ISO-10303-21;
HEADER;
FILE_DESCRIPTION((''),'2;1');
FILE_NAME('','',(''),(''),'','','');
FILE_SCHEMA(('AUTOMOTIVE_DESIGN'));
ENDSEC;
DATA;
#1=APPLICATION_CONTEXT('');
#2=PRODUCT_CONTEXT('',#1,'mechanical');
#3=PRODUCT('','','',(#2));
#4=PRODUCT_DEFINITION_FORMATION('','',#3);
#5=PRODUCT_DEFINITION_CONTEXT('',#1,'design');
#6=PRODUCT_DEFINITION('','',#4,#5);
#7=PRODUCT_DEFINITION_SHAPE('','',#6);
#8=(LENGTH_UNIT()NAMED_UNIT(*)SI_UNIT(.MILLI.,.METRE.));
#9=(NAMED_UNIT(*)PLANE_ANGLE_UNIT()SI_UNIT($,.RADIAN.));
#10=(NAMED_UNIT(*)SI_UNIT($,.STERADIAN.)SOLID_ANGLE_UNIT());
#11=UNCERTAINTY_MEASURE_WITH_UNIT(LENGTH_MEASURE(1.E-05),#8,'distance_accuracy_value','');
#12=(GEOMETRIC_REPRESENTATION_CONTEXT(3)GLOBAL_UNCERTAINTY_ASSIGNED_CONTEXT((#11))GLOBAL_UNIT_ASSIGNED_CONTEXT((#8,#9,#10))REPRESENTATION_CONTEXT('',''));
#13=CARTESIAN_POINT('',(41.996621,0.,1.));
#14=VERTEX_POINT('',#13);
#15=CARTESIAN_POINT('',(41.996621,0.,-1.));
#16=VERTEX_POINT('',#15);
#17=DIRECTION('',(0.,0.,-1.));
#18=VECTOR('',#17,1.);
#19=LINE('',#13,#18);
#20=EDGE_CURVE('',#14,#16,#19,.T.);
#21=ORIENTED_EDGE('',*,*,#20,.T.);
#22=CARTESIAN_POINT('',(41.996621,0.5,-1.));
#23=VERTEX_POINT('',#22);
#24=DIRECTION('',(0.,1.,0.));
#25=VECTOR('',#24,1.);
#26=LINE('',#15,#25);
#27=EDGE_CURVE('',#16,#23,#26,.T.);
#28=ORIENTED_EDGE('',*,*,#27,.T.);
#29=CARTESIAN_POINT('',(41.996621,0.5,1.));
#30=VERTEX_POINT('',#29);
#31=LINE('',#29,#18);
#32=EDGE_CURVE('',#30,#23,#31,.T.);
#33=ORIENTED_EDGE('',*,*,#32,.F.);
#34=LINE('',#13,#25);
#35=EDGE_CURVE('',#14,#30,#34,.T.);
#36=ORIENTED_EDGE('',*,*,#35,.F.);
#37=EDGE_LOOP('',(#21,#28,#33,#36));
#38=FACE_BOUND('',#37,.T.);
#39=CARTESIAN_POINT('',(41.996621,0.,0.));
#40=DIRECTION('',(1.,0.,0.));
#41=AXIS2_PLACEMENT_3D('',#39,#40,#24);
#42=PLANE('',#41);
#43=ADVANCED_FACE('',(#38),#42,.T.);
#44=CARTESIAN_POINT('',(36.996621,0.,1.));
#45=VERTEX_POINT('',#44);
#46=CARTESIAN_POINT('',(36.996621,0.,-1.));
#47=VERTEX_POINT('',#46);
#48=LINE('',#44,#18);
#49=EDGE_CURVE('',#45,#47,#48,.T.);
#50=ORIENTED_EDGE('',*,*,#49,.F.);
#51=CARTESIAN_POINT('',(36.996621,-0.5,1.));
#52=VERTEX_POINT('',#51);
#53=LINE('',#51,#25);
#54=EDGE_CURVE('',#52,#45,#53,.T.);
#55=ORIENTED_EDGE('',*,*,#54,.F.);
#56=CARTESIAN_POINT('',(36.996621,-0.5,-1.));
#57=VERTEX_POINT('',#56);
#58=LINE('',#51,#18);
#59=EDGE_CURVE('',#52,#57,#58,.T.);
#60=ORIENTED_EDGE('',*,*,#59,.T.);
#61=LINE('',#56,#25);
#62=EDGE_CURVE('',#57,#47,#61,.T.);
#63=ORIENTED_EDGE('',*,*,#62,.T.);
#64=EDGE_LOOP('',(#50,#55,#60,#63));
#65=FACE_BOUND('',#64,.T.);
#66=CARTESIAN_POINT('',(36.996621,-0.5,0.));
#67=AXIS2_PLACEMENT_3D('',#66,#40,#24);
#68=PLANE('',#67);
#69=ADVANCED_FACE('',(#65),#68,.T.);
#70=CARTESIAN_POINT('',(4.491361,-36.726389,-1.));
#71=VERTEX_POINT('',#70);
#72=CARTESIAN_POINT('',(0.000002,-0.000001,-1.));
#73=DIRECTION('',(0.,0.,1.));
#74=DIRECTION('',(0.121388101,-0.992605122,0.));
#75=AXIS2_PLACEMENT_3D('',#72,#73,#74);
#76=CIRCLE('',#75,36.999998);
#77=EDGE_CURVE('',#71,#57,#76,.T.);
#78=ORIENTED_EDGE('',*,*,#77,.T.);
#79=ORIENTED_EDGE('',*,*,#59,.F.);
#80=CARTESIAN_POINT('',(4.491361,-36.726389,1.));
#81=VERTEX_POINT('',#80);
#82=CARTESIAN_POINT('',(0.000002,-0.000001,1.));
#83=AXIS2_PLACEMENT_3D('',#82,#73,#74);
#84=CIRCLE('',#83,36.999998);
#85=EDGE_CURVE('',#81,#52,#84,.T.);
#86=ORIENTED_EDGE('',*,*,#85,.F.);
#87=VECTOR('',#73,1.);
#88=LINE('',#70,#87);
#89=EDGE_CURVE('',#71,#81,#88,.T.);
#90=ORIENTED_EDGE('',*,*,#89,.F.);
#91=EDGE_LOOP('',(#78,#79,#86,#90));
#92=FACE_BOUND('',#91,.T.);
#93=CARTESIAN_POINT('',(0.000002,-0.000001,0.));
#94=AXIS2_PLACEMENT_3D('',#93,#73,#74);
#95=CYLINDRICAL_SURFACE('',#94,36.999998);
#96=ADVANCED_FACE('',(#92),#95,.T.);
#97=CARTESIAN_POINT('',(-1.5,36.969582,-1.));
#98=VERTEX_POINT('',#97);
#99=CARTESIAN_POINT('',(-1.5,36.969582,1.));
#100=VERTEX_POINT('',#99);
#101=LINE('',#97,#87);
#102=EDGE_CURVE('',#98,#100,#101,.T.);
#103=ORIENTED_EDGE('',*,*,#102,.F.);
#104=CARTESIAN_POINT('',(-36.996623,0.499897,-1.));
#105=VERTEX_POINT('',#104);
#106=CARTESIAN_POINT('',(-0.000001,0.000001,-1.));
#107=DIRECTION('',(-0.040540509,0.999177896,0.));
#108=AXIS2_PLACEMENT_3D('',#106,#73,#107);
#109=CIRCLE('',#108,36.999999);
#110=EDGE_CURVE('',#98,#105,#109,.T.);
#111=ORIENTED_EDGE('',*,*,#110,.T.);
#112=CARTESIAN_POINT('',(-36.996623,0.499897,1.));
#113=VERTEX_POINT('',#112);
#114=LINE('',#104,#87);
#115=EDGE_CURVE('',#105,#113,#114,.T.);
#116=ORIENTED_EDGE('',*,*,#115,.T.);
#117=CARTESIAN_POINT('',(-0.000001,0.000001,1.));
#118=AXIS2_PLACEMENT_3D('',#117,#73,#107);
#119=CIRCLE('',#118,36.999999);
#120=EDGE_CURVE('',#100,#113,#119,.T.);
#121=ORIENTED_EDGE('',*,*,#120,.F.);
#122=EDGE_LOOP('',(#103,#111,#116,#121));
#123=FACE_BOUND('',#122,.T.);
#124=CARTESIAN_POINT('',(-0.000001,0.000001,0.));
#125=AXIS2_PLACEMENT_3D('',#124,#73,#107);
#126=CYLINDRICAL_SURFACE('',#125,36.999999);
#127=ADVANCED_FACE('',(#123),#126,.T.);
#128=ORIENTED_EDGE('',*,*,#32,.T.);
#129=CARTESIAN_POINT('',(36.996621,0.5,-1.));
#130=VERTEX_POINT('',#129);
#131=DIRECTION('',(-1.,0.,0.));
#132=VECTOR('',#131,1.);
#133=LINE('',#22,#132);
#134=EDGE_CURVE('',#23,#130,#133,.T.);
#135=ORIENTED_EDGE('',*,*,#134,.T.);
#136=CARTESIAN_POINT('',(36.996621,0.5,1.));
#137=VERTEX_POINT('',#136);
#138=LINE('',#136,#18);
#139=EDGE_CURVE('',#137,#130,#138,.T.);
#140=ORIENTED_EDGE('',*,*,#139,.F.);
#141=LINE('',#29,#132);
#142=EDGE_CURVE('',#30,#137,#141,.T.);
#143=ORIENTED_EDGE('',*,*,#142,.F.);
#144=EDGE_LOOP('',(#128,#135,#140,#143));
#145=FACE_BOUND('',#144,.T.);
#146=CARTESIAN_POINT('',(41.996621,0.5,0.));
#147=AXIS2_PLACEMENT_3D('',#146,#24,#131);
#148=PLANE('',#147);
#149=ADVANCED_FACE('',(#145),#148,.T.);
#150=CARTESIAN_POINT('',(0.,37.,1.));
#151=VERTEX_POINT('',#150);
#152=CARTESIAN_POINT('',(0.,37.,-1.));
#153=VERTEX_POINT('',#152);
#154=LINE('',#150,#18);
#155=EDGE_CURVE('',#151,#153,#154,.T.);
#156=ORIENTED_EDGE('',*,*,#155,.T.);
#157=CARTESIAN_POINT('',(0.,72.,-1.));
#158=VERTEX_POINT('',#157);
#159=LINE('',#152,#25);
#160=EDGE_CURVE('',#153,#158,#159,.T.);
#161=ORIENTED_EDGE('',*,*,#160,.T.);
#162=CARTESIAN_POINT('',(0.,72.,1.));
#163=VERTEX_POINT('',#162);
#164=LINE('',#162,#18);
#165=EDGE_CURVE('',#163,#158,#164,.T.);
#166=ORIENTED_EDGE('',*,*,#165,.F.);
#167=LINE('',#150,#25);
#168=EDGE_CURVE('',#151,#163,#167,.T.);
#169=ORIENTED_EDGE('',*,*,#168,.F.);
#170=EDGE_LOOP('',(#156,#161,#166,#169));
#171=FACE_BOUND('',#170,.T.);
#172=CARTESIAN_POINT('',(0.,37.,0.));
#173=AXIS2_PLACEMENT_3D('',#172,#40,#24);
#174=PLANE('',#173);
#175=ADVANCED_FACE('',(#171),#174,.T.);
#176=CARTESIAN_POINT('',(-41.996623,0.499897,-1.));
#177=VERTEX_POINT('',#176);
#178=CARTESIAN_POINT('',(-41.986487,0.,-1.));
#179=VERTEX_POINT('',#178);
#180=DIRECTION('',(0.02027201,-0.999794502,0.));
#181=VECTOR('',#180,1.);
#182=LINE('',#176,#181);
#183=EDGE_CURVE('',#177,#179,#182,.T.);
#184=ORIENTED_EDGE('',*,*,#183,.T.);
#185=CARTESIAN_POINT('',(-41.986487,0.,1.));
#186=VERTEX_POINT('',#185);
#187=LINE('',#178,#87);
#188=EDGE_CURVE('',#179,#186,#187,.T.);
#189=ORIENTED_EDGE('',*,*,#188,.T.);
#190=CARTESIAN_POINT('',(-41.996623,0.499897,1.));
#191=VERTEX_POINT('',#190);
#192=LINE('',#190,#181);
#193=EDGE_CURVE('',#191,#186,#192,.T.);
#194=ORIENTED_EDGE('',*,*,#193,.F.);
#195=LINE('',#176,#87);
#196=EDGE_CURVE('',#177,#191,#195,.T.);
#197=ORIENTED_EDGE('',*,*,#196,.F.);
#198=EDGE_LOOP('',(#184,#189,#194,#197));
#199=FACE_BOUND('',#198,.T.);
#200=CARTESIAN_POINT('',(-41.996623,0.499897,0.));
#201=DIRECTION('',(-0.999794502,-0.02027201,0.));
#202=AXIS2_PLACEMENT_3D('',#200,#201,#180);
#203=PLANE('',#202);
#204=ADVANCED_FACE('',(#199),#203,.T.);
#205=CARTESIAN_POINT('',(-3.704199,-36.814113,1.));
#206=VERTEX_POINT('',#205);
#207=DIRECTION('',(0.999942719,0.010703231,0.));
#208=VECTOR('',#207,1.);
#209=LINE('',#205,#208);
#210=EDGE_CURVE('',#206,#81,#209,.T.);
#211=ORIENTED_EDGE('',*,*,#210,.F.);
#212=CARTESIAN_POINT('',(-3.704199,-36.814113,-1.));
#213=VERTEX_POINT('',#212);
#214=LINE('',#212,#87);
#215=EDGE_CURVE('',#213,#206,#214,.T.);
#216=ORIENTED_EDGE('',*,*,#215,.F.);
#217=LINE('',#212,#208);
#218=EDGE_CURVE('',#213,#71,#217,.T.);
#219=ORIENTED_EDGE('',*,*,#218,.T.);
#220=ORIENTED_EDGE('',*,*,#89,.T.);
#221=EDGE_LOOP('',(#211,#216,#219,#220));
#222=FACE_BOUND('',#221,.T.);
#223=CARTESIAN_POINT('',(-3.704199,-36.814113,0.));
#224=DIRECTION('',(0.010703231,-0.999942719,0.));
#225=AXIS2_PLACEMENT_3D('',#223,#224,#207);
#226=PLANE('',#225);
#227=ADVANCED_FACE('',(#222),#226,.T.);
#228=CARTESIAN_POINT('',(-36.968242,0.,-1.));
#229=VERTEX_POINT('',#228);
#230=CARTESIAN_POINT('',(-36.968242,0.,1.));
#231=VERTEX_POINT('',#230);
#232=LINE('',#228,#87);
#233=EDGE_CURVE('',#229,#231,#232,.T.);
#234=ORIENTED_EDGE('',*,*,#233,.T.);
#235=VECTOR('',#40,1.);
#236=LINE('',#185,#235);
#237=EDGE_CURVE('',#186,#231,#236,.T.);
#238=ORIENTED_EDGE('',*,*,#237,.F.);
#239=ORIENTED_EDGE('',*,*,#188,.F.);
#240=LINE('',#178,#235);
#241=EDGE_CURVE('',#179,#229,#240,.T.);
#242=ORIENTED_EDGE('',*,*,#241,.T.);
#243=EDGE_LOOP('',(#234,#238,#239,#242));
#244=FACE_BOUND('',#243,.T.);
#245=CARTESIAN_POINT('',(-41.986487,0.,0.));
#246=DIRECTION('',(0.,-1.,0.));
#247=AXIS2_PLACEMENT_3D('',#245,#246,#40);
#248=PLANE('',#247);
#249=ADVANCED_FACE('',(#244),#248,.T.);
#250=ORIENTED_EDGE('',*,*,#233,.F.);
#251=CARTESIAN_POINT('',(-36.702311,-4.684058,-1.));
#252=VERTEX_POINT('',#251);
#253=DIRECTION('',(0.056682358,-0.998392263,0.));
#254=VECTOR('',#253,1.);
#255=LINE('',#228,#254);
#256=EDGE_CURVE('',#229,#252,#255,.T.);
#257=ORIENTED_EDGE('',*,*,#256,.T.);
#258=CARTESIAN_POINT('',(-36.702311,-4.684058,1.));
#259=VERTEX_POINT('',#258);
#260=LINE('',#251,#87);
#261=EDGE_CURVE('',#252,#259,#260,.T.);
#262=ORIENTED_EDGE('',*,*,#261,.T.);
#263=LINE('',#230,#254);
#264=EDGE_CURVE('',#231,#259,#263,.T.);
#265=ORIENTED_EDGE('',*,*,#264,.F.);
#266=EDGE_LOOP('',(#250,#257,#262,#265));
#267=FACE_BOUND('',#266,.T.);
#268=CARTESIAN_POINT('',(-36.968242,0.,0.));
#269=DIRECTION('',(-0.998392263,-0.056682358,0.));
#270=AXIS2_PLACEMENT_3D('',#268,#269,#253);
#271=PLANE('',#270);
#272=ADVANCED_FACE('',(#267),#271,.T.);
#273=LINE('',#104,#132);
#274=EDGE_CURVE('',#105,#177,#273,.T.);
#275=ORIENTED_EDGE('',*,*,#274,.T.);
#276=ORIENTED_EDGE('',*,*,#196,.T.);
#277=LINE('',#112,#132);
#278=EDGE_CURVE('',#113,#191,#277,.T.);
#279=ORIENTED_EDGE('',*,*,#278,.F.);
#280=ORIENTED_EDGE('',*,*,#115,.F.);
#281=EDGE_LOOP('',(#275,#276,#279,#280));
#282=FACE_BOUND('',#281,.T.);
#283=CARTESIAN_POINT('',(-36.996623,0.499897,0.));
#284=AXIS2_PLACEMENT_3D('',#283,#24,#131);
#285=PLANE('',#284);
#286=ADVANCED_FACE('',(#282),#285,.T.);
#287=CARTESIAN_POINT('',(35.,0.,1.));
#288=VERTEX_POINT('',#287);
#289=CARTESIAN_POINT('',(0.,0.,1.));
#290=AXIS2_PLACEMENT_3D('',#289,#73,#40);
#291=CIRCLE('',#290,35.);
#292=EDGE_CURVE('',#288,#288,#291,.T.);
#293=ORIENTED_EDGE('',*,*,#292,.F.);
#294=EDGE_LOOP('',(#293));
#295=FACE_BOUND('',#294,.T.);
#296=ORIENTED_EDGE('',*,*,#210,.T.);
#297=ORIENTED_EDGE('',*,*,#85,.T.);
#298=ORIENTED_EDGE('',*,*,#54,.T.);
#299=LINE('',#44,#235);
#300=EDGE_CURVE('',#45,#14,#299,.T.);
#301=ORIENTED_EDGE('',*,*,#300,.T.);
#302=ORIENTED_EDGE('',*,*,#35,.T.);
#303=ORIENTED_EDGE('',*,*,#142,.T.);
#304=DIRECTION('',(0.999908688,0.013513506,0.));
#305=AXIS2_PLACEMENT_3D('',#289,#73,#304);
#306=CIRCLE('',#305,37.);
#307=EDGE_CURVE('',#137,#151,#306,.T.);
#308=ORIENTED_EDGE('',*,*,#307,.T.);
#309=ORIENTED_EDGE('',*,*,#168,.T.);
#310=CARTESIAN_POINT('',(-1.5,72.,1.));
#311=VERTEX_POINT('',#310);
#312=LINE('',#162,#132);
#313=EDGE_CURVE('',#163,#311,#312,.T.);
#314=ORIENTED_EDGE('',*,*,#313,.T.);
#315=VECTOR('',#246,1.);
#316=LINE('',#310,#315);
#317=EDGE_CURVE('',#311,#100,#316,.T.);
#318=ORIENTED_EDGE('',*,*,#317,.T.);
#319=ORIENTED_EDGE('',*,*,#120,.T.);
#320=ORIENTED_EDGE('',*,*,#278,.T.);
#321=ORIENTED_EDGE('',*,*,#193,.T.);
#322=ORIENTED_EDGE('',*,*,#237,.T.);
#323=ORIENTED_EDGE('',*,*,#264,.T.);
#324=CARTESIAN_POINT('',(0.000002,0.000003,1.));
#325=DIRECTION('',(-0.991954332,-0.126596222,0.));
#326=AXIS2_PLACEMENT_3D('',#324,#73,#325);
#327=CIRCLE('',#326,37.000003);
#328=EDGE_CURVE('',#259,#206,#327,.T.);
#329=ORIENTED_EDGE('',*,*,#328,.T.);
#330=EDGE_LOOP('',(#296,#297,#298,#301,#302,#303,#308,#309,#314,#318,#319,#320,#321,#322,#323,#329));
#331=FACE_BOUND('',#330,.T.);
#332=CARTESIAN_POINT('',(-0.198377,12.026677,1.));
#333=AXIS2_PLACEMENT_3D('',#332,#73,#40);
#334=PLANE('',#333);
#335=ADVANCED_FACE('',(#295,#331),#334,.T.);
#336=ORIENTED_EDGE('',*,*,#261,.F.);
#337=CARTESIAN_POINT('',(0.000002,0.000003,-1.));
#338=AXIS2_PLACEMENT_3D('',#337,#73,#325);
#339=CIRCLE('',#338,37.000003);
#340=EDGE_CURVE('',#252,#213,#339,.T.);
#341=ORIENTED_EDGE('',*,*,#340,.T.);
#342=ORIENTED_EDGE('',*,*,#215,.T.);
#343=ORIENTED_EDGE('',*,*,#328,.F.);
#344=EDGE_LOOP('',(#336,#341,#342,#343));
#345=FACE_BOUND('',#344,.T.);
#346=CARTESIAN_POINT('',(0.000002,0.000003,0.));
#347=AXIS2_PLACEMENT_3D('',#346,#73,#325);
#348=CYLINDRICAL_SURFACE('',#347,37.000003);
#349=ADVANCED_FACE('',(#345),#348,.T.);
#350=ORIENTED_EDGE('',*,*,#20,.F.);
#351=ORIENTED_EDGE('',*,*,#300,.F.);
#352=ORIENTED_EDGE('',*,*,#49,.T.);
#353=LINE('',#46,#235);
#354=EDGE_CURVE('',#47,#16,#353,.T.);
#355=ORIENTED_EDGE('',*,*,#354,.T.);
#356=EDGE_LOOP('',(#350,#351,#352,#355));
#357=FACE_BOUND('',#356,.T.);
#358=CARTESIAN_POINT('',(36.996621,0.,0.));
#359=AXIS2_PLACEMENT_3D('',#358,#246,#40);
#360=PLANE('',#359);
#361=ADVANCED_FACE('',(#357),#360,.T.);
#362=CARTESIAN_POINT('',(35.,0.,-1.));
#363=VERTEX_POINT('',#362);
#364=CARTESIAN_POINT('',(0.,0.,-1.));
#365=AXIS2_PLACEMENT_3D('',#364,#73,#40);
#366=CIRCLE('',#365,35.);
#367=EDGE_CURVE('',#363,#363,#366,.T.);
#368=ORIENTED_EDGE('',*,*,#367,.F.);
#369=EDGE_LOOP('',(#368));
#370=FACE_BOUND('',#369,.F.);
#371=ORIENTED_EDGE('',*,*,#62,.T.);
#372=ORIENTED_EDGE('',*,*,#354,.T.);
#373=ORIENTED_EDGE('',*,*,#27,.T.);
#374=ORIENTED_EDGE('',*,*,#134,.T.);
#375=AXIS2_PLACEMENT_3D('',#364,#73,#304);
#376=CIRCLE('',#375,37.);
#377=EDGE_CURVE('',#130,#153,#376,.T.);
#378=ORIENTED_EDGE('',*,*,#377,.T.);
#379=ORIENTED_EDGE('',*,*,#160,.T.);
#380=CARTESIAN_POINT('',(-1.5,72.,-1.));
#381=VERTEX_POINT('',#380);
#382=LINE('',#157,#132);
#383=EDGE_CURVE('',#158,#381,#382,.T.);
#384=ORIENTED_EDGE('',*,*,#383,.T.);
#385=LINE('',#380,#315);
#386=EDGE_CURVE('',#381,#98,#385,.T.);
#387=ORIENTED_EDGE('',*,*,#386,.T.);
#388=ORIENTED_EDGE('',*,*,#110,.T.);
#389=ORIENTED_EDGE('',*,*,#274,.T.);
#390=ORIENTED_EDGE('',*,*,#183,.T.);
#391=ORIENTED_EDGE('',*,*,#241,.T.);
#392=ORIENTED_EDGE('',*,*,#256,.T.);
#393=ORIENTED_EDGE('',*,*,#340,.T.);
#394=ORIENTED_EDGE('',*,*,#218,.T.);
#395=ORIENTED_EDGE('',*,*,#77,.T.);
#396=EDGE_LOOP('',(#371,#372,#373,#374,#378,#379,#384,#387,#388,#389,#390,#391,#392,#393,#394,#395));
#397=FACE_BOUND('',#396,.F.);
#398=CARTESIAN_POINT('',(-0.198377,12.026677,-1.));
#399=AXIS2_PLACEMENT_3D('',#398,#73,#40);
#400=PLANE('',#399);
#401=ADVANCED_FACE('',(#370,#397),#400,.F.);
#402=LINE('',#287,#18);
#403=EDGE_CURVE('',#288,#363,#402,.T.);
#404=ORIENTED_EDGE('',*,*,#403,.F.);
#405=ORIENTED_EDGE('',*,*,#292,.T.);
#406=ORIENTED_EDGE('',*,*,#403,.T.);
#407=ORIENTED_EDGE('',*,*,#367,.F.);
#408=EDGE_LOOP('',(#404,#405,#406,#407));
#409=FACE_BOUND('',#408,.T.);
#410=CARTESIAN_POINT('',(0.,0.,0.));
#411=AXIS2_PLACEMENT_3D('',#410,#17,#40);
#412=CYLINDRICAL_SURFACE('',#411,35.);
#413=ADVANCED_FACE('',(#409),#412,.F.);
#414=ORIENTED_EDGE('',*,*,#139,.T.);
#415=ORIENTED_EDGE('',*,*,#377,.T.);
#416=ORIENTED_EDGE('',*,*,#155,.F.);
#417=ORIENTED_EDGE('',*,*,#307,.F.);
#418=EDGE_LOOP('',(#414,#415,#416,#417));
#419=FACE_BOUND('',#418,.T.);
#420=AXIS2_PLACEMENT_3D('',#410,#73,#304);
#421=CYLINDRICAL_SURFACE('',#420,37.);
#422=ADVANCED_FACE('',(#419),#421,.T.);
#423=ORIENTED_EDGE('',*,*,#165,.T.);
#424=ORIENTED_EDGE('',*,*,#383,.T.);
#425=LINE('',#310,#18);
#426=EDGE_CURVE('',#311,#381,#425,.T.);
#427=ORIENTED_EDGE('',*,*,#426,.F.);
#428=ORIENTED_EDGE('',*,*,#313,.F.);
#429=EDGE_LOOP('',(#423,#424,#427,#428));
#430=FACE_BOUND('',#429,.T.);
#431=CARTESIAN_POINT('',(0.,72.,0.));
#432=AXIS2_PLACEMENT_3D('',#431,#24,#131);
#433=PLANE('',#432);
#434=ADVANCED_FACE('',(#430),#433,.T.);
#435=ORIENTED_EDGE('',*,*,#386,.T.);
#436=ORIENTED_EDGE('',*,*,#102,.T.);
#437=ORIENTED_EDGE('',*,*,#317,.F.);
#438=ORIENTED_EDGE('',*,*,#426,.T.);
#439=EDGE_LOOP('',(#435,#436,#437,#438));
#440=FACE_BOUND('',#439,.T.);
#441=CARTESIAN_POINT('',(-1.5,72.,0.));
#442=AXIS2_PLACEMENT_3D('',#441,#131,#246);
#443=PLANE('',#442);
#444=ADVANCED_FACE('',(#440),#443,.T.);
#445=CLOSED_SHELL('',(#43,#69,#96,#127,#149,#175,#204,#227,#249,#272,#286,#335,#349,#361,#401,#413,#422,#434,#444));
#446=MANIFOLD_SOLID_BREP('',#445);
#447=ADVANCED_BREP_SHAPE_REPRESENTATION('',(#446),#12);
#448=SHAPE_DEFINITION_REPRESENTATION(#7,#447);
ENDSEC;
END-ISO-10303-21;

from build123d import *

# Parameters (mm, degrees)
F0_R     = 35
F1_DEPTH = 1


with BuildPart() as f1:
    # F0 (on Top) → F1 (new body, symmetric)
    with BuildSketch(Plane.XY):
        with BuildLine():
            Line((-1.5, 72), (-1.5, 36.969582))
            ThreePointArc((-1.5, 36.969582), (-26.514279, 25.806841), (-36.996623, 0.499897))
            Line((-36.996623, 0.499897), (-41.996623, 0.499897))
            Line((-41.996623, 0.499897), (-41.986487, 0))
            Line((-41.986487, 0), (-36.968242, 0))
            Line((-36.968242, 0), (-36.702311, -4.684058))
            ThreePointArc((-36.702311, -4.684058), (-25.811947, -26.509307), (-3.704199, -36.814113))
            Line((-3.704199, -36.814113), (4.491361, -36.726389))
            ThreePointArc((4.491361, -36.726389), (27.539081, -24.710302), (36.996621, -0.5))
            Line((36.996621, -0.5), (36.996621, 0))
            Line((36.996621, 0), (41.996621, 0))
            Line((41.996621, 0), (41.996621, 0.5))
            Line((41.996621, 0.5), (36.996621, 0.5))
            ThreePointArc((36.996621, 0.5), (25.985573, 26.339134), (0, 37))
            Line((0, 37), (0, 72))
            Line((0, 72), (-1.5, 72))
        make_face()
        Circle(F0_R, mode=Mode.SUBTRACT)
    extrude(amount=F1_DEPTH, both=True)


solid = f1.part
